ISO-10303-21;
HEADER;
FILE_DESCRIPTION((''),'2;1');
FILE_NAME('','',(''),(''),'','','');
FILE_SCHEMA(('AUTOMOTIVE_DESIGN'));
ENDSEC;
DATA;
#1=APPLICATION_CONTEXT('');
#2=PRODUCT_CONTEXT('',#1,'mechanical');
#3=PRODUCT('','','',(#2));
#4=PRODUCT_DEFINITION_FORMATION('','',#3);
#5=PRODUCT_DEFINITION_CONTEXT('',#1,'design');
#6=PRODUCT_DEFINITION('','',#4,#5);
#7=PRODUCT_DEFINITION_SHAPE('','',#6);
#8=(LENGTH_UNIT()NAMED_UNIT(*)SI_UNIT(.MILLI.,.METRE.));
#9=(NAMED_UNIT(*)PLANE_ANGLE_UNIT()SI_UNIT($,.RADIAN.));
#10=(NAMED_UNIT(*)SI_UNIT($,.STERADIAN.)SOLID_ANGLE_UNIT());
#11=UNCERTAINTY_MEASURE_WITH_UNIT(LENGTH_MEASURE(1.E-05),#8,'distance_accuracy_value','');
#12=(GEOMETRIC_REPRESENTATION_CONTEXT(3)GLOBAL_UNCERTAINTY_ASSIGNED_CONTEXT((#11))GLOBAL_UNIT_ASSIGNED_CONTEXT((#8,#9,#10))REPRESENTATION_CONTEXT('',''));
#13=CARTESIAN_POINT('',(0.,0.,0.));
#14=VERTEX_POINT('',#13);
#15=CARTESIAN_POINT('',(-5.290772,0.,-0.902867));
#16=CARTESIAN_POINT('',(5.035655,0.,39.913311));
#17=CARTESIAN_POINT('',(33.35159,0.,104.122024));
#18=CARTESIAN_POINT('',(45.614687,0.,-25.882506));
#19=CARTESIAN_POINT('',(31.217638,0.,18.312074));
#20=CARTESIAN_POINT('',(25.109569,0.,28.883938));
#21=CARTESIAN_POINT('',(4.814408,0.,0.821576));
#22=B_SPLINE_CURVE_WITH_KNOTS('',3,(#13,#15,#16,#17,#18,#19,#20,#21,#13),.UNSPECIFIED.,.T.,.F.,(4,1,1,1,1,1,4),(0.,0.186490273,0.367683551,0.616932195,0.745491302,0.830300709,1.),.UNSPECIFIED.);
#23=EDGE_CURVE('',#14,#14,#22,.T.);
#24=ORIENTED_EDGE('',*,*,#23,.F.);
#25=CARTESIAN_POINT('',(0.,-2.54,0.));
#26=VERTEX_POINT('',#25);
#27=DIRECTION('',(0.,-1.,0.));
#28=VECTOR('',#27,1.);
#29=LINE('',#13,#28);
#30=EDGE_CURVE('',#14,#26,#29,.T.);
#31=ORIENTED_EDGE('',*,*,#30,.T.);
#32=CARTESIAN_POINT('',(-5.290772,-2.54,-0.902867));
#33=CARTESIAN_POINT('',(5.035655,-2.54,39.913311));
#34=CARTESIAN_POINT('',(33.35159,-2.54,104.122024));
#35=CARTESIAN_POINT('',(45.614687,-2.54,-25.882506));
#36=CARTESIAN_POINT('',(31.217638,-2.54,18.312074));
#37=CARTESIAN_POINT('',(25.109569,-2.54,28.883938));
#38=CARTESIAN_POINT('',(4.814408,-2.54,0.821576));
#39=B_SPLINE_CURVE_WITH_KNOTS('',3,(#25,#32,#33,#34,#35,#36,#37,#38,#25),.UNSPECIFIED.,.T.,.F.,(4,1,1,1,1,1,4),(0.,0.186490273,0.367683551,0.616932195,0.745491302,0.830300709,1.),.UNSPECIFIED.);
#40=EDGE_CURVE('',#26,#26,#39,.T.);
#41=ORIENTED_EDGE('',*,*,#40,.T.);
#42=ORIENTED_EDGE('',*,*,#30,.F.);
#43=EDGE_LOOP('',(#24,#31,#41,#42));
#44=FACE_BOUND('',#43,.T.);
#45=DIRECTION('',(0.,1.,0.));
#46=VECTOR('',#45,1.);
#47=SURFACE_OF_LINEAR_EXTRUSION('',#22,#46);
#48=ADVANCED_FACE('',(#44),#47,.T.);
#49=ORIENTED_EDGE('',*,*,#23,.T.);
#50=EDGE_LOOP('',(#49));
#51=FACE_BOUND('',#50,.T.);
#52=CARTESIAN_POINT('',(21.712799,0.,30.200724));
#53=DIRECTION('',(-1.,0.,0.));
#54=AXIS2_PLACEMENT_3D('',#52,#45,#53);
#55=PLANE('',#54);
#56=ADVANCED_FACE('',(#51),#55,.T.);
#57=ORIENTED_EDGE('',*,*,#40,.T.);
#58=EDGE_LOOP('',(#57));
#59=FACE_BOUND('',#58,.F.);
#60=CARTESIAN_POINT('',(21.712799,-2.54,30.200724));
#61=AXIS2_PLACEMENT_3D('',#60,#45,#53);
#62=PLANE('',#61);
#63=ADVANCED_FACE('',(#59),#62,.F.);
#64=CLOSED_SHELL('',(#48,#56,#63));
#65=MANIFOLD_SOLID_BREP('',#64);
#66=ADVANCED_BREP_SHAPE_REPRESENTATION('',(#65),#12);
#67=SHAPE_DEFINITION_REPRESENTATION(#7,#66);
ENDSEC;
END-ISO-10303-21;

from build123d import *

# Parameters (mm, degrees)
F1_DEPTH = 2.54


with BuildPart() as f1:
    # F0 (on Front) → F1 (new body)
    with BuildSketch(Plane.XZ):
        with BuildLine():
            add(Edge.make_bspline(
                [(0, 0), (-5.2907723454, -0.9028670005), (5.0356545431, 39.9133105133), (33.351589743, 104.1220235117), (45.6146873915, -25.8825058932), (31.2176383921, 18.3120742468), (25.1095687619, 28.883938446), (4.8144082771, 0.8215757694), (0, 0)],
                knots=[0, 0, 0, 0, 0.1864902735, 0.3676835505, 0.6169321953, 0.7454913016, 0.8303007089, 1, 1, 1, 1], degree=3))
        make_face()
    extrude(amount=F1_DEPTH)


solid = f1.part
